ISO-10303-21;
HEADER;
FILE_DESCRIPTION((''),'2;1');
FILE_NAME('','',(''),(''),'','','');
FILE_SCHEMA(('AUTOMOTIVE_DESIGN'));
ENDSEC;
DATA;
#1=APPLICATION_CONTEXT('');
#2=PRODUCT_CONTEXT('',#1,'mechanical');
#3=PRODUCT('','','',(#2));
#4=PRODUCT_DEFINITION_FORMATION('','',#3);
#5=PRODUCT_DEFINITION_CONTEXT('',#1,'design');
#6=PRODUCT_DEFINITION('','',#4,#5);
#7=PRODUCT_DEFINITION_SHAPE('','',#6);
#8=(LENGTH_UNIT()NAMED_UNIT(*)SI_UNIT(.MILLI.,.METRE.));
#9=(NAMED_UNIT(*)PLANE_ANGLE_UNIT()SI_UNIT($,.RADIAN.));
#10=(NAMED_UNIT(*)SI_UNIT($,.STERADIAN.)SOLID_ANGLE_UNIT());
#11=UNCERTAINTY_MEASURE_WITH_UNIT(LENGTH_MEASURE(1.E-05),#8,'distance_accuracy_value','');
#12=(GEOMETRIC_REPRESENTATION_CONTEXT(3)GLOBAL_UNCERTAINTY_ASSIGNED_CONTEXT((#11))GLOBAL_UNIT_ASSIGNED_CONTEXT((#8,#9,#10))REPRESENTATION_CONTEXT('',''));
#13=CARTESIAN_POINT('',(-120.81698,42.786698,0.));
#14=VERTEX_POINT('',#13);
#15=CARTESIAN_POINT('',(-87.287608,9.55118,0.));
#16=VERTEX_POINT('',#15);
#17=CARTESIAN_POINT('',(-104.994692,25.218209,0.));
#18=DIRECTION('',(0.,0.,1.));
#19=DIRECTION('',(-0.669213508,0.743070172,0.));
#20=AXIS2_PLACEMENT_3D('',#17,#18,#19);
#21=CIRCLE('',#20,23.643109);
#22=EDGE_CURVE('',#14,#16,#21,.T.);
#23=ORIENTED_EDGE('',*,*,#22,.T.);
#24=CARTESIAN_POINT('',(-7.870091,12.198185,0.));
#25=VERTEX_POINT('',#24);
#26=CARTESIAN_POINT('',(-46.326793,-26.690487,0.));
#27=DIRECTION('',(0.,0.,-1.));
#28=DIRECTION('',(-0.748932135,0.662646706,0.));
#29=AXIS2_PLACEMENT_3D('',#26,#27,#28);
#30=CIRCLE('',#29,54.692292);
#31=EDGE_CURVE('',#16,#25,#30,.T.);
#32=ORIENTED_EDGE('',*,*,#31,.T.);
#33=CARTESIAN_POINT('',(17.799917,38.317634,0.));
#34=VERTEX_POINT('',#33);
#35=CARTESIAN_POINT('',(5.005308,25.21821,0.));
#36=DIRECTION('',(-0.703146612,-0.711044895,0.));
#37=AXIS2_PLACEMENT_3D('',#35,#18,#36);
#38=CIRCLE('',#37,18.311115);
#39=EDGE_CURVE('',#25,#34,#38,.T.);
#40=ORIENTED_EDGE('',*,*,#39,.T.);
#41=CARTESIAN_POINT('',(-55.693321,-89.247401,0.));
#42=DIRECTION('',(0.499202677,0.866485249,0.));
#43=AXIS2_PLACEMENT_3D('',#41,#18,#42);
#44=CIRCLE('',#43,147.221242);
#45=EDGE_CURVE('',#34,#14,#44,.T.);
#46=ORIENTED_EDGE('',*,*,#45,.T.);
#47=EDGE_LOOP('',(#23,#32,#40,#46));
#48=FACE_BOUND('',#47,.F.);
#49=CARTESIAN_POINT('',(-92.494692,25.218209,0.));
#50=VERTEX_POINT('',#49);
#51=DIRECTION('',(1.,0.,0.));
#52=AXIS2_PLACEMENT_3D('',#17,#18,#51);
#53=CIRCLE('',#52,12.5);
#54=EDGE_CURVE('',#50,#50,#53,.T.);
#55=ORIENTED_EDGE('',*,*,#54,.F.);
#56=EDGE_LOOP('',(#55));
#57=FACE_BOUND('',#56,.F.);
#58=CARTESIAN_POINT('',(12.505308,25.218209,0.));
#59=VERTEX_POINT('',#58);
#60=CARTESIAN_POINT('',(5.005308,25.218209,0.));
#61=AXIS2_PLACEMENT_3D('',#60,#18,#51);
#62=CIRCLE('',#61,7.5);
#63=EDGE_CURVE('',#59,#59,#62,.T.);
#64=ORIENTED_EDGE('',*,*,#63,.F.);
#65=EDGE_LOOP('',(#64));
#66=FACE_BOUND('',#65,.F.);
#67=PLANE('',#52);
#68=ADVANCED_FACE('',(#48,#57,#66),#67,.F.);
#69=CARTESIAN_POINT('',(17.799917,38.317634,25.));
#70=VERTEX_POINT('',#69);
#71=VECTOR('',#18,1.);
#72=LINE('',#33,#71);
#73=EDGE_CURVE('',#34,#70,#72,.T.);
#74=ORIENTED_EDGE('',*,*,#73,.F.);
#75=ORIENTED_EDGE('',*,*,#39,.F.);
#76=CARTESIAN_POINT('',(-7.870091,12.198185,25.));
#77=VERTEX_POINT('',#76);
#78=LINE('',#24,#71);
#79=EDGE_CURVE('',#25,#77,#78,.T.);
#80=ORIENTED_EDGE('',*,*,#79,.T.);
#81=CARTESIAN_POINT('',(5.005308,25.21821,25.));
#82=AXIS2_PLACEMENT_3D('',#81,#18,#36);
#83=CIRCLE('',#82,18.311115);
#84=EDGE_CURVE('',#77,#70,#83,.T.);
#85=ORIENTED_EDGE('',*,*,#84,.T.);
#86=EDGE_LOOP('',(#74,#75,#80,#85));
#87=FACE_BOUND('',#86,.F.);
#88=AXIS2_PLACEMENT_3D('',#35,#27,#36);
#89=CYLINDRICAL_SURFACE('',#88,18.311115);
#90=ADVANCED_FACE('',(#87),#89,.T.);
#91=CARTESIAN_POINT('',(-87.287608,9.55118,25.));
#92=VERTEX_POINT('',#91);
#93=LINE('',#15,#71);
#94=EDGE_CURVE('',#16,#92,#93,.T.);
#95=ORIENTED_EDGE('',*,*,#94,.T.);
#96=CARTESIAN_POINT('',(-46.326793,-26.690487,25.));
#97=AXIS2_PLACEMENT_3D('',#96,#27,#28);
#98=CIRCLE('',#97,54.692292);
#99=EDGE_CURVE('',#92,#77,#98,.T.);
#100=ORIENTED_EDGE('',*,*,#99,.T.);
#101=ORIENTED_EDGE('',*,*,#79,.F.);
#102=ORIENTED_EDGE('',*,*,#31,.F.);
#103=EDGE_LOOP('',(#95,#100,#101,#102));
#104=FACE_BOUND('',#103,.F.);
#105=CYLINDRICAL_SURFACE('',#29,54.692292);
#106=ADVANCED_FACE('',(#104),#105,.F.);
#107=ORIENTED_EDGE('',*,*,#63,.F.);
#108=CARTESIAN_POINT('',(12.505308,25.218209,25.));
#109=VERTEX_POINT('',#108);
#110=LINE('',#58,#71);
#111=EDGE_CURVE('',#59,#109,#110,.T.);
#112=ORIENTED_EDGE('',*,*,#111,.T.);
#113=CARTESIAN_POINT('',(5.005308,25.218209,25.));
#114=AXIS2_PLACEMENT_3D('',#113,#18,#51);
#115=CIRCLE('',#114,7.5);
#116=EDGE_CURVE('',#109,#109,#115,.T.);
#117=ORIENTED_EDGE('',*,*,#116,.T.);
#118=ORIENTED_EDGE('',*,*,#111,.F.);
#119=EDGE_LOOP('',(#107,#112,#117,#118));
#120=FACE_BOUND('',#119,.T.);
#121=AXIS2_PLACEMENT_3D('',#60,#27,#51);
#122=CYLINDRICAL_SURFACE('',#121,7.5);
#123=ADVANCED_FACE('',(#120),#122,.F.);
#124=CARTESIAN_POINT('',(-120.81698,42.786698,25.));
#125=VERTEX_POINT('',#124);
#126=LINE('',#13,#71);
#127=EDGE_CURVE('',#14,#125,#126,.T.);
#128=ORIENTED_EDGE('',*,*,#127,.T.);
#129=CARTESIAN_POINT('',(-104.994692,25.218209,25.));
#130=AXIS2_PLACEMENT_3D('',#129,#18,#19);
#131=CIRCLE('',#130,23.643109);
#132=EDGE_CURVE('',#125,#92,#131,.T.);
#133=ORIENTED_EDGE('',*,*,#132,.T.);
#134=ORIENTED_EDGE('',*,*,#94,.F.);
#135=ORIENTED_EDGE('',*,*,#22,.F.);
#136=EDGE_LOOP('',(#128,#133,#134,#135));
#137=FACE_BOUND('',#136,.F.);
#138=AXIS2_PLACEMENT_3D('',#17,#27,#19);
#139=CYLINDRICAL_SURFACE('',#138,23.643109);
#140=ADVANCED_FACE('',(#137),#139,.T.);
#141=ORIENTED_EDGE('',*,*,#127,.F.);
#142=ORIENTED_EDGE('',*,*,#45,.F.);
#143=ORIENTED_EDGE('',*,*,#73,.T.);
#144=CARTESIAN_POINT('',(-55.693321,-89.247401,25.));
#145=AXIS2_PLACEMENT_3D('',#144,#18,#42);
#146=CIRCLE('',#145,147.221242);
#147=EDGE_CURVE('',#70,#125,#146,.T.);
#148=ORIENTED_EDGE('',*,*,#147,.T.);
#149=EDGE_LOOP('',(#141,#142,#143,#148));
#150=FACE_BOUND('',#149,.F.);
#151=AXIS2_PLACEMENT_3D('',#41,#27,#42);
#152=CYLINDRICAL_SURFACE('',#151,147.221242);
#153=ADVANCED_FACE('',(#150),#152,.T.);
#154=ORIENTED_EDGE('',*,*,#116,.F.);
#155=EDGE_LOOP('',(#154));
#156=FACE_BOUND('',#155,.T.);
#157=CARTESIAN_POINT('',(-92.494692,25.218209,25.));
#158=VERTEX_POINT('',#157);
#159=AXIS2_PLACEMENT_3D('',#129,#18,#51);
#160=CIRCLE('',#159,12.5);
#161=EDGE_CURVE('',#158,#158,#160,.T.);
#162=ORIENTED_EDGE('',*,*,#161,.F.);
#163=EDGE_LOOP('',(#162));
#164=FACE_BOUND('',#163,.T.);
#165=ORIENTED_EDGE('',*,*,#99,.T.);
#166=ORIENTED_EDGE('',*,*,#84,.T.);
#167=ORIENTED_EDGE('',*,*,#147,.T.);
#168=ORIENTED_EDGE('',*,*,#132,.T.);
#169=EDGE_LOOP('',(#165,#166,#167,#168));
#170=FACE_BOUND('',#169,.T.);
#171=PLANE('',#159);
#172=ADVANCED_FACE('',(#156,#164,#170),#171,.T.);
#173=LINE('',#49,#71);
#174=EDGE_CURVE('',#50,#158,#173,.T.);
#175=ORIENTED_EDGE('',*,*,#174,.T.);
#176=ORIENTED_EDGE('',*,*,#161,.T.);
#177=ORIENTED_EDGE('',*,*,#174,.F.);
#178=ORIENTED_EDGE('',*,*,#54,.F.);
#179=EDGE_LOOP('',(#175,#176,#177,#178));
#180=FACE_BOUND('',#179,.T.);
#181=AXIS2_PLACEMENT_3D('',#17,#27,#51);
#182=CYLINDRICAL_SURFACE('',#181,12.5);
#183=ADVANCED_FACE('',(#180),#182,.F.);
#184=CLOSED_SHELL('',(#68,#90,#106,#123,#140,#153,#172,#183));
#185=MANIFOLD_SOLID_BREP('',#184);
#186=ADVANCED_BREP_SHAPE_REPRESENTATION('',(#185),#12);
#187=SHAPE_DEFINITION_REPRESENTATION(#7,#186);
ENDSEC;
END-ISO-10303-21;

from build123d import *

# Parameters (mm, degrees)
F0_R     = 6.25
F0_R_2   = 12.5
F0_R_3   = 7.5
F2_DEPTH = 25


with BuildPart() as f2:
    # F0 (on Top) → F2 (new body)
    with BuildSketch(Plane.XY):
        with Locations((-104.994692, 25.218209)):
            Circle(F0_R)
        with Locations((-104.994692, 25.218209)):
            Circle(F0_R_2)
        with Locations((-104.994692, 25.218209)):
            Circle(F0_R, mode=Mode.SUBTRACT)
        with BuildLine():
            ThreePointArc((-87.287608, 9.55118), (-48.148689, 27.971451), (-7.870091, 12.198185))
            ThreePointArc((-7.870091, 12.198185), (18.065094, 12.383144), (17.799917, 38.317634))
            ThreePointArc((17.799917, 38.317634), (-50.949315, 57.897387), (-120.81698, 42.786698))
            ThreePointArc((-120.81698, 42.786698), (-121.639152, 8.426587), (-87.287608, 9.55118))
        make_face()
        with Locations((-104.994692, 25.218209)):
            Circle(F0_R_2, mode=Mode.SUBTRACT)
        with Locations((5.005308, 25.218209)):
            Circle(F0_R_3, mode=Mode.SUBTRACT)
    extrude(amount=F2_DEPTH)


solid = f2.part
